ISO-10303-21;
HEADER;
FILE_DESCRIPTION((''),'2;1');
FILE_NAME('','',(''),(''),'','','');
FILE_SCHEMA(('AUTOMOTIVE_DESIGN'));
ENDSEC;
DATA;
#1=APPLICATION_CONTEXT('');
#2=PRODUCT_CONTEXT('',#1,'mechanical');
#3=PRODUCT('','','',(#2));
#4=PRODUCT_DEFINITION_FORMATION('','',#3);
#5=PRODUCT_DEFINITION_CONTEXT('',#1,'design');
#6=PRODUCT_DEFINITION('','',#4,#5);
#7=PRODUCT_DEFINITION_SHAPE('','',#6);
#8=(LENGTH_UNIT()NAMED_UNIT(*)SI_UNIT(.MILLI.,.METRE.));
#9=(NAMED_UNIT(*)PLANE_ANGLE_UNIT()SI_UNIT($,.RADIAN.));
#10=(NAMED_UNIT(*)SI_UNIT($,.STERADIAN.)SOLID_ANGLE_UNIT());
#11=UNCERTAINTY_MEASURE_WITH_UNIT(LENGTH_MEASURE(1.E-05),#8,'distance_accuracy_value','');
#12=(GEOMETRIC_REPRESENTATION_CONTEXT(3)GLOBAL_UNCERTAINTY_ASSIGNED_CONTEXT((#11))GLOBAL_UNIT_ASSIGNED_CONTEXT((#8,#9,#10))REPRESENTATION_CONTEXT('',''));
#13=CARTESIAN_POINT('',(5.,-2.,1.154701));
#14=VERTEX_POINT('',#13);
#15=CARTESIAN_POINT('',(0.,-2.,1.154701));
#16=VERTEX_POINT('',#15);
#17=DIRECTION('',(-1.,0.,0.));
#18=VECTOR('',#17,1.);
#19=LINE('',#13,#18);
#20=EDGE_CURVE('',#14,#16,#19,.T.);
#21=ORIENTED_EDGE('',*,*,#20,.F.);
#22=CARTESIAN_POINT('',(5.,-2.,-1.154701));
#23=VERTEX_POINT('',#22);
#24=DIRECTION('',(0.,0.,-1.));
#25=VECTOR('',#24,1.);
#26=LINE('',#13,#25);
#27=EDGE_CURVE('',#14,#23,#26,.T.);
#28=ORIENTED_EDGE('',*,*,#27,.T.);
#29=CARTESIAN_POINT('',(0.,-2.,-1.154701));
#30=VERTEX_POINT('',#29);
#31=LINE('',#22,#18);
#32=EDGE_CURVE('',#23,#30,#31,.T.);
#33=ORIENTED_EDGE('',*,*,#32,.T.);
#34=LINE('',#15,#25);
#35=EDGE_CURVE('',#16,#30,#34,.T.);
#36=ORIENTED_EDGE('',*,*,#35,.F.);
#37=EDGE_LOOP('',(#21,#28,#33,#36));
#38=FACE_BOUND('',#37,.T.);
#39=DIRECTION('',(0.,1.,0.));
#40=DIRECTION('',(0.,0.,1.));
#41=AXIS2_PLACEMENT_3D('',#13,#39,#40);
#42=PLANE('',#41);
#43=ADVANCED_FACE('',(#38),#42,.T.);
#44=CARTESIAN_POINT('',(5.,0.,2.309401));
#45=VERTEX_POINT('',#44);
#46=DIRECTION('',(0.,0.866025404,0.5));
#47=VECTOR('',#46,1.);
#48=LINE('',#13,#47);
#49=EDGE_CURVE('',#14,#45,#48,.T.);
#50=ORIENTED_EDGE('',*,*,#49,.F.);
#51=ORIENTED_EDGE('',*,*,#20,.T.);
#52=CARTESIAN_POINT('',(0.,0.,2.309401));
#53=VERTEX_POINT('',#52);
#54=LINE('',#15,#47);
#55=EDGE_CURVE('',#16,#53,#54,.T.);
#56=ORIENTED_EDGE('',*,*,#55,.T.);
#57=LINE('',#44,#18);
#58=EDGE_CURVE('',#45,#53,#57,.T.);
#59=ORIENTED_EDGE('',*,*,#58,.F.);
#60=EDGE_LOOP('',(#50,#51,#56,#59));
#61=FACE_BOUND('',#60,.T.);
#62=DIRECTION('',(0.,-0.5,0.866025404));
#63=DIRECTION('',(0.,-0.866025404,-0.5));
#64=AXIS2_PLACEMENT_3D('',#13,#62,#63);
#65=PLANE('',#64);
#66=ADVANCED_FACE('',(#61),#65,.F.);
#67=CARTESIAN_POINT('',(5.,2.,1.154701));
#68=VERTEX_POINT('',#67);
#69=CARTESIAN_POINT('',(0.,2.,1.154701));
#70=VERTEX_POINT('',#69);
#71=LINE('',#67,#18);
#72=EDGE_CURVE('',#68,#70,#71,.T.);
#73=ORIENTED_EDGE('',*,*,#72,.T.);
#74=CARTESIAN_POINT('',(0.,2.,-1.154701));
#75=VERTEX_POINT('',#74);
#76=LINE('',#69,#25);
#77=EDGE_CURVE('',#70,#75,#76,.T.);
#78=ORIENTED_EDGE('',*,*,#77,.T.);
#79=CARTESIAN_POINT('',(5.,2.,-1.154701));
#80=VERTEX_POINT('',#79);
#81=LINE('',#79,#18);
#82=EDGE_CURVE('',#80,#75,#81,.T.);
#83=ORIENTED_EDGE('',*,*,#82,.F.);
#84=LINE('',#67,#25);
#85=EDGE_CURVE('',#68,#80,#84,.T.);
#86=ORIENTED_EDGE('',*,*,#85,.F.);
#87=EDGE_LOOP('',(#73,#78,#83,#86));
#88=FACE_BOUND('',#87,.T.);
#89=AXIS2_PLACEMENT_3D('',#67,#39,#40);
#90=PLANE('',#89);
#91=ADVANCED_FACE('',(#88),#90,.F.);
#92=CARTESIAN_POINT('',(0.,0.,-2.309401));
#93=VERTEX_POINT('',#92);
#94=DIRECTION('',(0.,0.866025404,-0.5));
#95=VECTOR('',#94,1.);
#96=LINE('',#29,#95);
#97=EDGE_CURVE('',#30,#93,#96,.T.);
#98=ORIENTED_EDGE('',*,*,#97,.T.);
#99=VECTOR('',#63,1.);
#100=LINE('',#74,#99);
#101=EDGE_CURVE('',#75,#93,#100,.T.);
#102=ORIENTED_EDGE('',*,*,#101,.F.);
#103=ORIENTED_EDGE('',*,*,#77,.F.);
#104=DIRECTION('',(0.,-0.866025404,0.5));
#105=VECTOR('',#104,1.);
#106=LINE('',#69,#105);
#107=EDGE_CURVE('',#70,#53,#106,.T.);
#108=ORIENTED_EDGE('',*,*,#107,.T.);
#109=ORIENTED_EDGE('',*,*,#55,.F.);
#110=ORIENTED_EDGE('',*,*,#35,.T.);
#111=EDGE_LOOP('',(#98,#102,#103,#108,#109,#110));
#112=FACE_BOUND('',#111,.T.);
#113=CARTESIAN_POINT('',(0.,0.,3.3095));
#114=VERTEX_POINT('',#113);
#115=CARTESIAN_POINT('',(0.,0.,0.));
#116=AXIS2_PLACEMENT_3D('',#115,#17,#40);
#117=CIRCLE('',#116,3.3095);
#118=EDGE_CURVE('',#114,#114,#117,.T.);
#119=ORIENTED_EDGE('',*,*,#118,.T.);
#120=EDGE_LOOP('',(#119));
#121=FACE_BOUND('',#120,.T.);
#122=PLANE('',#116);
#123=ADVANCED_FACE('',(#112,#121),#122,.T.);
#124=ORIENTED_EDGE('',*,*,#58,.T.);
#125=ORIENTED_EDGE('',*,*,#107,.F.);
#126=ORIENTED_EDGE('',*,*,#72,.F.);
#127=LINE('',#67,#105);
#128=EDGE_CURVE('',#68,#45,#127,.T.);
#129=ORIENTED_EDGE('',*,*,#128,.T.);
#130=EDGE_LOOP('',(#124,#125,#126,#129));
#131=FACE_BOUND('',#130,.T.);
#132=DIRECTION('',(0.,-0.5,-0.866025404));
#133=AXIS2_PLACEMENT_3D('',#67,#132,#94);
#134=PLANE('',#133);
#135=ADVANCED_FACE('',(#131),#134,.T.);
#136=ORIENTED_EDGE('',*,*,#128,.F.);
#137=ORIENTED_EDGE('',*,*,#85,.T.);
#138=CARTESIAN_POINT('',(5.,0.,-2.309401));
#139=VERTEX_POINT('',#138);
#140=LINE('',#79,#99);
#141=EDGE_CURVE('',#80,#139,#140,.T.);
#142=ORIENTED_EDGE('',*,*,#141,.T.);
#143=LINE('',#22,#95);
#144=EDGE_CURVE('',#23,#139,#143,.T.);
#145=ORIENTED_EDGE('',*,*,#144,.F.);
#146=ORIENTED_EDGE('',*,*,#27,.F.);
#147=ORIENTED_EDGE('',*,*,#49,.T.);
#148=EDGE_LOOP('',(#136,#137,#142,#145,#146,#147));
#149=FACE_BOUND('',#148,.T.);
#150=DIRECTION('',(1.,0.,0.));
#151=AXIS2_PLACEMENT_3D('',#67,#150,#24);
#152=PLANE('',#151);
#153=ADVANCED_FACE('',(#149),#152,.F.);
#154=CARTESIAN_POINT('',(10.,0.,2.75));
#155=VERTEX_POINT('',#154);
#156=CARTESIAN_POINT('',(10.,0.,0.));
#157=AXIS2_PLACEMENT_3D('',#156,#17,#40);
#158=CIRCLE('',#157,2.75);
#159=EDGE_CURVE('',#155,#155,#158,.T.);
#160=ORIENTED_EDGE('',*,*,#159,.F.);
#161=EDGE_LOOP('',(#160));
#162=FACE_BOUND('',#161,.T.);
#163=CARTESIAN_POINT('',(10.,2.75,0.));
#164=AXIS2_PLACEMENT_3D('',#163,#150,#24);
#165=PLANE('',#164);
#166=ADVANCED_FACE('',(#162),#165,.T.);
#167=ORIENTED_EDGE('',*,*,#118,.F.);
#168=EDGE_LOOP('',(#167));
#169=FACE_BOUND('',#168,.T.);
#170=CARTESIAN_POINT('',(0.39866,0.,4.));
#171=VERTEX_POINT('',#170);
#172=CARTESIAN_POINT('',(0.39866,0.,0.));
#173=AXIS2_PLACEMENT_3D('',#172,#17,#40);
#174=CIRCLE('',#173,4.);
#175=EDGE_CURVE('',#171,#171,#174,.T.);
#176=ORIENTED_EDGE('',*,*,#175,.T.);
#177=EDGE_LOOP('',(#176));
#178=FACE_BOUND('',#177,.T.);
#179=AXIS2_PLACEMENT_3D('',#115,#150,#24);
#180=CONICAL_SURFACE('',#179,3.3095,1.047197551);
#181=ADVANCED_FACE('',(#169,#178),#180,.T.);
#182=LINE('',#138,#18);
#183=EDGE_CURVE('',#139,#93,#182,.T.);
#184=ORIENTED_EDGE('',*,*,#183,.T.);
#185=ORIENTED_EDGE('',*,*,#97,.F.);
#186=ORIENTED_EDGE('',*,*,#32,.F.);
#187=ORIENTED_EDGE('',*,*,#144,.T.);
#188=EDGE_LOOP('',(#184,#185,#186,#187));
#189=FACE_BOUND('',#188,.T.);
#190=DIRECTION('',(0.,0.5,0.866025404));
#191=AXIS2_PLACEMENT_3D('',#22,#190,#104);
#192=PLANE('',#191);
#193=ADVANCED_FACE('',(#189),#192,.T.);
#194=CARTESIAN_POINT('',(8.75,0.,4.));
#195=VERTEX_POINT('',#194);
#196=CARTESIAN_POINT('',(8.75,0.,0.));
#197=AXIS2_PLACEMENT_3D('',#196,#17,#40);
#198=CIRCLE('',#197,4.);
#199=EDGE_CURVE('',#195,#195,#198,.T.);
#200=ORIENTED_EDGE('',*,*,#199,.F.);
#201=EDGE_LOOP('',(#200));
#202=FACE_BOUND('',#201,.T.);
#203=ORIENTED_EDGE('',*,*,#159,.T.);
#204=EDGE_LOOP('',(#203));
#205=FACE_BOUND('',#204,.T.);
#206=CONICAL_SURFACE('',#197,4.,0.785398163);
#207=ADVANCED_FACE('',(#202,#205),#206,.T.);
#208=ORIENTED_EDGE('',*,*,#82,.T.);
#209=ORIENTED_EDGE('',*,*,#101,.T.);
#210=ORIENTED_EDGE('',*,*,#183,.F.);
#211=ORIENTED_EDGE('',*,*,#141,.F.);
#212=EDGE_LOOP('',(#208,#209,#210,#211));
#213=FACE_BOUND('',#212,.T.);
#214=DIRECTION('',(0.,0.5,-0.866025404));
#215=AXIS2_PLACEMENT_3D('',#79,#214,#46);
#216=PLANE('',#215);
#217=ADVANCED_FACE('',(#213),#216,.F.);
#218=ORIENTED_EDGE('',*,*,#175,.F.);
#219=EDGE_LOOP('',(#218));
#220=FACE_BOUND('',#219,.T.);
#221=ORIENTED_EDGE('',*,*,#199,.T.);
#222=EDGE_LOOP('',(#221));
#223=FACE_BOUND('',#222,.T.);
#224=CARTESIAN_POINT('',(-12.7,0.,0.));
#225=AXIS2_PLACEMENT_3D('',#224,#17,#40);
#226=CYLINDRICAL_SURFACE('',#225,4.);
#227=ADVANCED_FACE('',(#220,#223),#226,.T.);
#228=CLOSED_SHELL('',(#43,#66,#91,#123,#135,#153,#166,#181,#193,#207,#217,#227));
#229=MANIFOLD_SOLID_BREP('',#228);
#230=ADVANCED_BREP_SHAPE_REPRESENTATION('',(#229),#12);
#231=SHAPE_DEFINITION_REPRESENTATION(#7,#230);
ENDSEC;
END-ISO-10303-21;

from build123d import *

# Parameters (mm, degrees)
HEX_2_DEPTH = 5


with BuildPart() as part:
    # BodySke → BaseBody (revolve)
    with BuildSketch(Plane.XY, mode=Mode.PRIVATE) as basebody_sk:
        Polygon((0, 0), (0, 3.3095), (0.398660361, 4), (8.75, 4), (10, 2.75), (10, 0), align=None)
    revolve(basebody_sk.sketch.rotate(Axis((-12.7, 0, 0), (1, 0, 0)), 90), axis=Axis((-12.7, 0, 0), (1, 0, 0)))

    # Sketch2 → Hex 2 (cut)
    with BuildSketch(Plane.ZY):
        Polygon((1.154700538, 2), (-1.154700538, 2), (-2.309401077, 0), (-1.154700538, -2), (1.154700538, -2), (2.309401077, 0), align=None)
    extrude(amount=-HEX_2_DEPTH, mode=Mode.SUBTRACT)


solid = part.part
